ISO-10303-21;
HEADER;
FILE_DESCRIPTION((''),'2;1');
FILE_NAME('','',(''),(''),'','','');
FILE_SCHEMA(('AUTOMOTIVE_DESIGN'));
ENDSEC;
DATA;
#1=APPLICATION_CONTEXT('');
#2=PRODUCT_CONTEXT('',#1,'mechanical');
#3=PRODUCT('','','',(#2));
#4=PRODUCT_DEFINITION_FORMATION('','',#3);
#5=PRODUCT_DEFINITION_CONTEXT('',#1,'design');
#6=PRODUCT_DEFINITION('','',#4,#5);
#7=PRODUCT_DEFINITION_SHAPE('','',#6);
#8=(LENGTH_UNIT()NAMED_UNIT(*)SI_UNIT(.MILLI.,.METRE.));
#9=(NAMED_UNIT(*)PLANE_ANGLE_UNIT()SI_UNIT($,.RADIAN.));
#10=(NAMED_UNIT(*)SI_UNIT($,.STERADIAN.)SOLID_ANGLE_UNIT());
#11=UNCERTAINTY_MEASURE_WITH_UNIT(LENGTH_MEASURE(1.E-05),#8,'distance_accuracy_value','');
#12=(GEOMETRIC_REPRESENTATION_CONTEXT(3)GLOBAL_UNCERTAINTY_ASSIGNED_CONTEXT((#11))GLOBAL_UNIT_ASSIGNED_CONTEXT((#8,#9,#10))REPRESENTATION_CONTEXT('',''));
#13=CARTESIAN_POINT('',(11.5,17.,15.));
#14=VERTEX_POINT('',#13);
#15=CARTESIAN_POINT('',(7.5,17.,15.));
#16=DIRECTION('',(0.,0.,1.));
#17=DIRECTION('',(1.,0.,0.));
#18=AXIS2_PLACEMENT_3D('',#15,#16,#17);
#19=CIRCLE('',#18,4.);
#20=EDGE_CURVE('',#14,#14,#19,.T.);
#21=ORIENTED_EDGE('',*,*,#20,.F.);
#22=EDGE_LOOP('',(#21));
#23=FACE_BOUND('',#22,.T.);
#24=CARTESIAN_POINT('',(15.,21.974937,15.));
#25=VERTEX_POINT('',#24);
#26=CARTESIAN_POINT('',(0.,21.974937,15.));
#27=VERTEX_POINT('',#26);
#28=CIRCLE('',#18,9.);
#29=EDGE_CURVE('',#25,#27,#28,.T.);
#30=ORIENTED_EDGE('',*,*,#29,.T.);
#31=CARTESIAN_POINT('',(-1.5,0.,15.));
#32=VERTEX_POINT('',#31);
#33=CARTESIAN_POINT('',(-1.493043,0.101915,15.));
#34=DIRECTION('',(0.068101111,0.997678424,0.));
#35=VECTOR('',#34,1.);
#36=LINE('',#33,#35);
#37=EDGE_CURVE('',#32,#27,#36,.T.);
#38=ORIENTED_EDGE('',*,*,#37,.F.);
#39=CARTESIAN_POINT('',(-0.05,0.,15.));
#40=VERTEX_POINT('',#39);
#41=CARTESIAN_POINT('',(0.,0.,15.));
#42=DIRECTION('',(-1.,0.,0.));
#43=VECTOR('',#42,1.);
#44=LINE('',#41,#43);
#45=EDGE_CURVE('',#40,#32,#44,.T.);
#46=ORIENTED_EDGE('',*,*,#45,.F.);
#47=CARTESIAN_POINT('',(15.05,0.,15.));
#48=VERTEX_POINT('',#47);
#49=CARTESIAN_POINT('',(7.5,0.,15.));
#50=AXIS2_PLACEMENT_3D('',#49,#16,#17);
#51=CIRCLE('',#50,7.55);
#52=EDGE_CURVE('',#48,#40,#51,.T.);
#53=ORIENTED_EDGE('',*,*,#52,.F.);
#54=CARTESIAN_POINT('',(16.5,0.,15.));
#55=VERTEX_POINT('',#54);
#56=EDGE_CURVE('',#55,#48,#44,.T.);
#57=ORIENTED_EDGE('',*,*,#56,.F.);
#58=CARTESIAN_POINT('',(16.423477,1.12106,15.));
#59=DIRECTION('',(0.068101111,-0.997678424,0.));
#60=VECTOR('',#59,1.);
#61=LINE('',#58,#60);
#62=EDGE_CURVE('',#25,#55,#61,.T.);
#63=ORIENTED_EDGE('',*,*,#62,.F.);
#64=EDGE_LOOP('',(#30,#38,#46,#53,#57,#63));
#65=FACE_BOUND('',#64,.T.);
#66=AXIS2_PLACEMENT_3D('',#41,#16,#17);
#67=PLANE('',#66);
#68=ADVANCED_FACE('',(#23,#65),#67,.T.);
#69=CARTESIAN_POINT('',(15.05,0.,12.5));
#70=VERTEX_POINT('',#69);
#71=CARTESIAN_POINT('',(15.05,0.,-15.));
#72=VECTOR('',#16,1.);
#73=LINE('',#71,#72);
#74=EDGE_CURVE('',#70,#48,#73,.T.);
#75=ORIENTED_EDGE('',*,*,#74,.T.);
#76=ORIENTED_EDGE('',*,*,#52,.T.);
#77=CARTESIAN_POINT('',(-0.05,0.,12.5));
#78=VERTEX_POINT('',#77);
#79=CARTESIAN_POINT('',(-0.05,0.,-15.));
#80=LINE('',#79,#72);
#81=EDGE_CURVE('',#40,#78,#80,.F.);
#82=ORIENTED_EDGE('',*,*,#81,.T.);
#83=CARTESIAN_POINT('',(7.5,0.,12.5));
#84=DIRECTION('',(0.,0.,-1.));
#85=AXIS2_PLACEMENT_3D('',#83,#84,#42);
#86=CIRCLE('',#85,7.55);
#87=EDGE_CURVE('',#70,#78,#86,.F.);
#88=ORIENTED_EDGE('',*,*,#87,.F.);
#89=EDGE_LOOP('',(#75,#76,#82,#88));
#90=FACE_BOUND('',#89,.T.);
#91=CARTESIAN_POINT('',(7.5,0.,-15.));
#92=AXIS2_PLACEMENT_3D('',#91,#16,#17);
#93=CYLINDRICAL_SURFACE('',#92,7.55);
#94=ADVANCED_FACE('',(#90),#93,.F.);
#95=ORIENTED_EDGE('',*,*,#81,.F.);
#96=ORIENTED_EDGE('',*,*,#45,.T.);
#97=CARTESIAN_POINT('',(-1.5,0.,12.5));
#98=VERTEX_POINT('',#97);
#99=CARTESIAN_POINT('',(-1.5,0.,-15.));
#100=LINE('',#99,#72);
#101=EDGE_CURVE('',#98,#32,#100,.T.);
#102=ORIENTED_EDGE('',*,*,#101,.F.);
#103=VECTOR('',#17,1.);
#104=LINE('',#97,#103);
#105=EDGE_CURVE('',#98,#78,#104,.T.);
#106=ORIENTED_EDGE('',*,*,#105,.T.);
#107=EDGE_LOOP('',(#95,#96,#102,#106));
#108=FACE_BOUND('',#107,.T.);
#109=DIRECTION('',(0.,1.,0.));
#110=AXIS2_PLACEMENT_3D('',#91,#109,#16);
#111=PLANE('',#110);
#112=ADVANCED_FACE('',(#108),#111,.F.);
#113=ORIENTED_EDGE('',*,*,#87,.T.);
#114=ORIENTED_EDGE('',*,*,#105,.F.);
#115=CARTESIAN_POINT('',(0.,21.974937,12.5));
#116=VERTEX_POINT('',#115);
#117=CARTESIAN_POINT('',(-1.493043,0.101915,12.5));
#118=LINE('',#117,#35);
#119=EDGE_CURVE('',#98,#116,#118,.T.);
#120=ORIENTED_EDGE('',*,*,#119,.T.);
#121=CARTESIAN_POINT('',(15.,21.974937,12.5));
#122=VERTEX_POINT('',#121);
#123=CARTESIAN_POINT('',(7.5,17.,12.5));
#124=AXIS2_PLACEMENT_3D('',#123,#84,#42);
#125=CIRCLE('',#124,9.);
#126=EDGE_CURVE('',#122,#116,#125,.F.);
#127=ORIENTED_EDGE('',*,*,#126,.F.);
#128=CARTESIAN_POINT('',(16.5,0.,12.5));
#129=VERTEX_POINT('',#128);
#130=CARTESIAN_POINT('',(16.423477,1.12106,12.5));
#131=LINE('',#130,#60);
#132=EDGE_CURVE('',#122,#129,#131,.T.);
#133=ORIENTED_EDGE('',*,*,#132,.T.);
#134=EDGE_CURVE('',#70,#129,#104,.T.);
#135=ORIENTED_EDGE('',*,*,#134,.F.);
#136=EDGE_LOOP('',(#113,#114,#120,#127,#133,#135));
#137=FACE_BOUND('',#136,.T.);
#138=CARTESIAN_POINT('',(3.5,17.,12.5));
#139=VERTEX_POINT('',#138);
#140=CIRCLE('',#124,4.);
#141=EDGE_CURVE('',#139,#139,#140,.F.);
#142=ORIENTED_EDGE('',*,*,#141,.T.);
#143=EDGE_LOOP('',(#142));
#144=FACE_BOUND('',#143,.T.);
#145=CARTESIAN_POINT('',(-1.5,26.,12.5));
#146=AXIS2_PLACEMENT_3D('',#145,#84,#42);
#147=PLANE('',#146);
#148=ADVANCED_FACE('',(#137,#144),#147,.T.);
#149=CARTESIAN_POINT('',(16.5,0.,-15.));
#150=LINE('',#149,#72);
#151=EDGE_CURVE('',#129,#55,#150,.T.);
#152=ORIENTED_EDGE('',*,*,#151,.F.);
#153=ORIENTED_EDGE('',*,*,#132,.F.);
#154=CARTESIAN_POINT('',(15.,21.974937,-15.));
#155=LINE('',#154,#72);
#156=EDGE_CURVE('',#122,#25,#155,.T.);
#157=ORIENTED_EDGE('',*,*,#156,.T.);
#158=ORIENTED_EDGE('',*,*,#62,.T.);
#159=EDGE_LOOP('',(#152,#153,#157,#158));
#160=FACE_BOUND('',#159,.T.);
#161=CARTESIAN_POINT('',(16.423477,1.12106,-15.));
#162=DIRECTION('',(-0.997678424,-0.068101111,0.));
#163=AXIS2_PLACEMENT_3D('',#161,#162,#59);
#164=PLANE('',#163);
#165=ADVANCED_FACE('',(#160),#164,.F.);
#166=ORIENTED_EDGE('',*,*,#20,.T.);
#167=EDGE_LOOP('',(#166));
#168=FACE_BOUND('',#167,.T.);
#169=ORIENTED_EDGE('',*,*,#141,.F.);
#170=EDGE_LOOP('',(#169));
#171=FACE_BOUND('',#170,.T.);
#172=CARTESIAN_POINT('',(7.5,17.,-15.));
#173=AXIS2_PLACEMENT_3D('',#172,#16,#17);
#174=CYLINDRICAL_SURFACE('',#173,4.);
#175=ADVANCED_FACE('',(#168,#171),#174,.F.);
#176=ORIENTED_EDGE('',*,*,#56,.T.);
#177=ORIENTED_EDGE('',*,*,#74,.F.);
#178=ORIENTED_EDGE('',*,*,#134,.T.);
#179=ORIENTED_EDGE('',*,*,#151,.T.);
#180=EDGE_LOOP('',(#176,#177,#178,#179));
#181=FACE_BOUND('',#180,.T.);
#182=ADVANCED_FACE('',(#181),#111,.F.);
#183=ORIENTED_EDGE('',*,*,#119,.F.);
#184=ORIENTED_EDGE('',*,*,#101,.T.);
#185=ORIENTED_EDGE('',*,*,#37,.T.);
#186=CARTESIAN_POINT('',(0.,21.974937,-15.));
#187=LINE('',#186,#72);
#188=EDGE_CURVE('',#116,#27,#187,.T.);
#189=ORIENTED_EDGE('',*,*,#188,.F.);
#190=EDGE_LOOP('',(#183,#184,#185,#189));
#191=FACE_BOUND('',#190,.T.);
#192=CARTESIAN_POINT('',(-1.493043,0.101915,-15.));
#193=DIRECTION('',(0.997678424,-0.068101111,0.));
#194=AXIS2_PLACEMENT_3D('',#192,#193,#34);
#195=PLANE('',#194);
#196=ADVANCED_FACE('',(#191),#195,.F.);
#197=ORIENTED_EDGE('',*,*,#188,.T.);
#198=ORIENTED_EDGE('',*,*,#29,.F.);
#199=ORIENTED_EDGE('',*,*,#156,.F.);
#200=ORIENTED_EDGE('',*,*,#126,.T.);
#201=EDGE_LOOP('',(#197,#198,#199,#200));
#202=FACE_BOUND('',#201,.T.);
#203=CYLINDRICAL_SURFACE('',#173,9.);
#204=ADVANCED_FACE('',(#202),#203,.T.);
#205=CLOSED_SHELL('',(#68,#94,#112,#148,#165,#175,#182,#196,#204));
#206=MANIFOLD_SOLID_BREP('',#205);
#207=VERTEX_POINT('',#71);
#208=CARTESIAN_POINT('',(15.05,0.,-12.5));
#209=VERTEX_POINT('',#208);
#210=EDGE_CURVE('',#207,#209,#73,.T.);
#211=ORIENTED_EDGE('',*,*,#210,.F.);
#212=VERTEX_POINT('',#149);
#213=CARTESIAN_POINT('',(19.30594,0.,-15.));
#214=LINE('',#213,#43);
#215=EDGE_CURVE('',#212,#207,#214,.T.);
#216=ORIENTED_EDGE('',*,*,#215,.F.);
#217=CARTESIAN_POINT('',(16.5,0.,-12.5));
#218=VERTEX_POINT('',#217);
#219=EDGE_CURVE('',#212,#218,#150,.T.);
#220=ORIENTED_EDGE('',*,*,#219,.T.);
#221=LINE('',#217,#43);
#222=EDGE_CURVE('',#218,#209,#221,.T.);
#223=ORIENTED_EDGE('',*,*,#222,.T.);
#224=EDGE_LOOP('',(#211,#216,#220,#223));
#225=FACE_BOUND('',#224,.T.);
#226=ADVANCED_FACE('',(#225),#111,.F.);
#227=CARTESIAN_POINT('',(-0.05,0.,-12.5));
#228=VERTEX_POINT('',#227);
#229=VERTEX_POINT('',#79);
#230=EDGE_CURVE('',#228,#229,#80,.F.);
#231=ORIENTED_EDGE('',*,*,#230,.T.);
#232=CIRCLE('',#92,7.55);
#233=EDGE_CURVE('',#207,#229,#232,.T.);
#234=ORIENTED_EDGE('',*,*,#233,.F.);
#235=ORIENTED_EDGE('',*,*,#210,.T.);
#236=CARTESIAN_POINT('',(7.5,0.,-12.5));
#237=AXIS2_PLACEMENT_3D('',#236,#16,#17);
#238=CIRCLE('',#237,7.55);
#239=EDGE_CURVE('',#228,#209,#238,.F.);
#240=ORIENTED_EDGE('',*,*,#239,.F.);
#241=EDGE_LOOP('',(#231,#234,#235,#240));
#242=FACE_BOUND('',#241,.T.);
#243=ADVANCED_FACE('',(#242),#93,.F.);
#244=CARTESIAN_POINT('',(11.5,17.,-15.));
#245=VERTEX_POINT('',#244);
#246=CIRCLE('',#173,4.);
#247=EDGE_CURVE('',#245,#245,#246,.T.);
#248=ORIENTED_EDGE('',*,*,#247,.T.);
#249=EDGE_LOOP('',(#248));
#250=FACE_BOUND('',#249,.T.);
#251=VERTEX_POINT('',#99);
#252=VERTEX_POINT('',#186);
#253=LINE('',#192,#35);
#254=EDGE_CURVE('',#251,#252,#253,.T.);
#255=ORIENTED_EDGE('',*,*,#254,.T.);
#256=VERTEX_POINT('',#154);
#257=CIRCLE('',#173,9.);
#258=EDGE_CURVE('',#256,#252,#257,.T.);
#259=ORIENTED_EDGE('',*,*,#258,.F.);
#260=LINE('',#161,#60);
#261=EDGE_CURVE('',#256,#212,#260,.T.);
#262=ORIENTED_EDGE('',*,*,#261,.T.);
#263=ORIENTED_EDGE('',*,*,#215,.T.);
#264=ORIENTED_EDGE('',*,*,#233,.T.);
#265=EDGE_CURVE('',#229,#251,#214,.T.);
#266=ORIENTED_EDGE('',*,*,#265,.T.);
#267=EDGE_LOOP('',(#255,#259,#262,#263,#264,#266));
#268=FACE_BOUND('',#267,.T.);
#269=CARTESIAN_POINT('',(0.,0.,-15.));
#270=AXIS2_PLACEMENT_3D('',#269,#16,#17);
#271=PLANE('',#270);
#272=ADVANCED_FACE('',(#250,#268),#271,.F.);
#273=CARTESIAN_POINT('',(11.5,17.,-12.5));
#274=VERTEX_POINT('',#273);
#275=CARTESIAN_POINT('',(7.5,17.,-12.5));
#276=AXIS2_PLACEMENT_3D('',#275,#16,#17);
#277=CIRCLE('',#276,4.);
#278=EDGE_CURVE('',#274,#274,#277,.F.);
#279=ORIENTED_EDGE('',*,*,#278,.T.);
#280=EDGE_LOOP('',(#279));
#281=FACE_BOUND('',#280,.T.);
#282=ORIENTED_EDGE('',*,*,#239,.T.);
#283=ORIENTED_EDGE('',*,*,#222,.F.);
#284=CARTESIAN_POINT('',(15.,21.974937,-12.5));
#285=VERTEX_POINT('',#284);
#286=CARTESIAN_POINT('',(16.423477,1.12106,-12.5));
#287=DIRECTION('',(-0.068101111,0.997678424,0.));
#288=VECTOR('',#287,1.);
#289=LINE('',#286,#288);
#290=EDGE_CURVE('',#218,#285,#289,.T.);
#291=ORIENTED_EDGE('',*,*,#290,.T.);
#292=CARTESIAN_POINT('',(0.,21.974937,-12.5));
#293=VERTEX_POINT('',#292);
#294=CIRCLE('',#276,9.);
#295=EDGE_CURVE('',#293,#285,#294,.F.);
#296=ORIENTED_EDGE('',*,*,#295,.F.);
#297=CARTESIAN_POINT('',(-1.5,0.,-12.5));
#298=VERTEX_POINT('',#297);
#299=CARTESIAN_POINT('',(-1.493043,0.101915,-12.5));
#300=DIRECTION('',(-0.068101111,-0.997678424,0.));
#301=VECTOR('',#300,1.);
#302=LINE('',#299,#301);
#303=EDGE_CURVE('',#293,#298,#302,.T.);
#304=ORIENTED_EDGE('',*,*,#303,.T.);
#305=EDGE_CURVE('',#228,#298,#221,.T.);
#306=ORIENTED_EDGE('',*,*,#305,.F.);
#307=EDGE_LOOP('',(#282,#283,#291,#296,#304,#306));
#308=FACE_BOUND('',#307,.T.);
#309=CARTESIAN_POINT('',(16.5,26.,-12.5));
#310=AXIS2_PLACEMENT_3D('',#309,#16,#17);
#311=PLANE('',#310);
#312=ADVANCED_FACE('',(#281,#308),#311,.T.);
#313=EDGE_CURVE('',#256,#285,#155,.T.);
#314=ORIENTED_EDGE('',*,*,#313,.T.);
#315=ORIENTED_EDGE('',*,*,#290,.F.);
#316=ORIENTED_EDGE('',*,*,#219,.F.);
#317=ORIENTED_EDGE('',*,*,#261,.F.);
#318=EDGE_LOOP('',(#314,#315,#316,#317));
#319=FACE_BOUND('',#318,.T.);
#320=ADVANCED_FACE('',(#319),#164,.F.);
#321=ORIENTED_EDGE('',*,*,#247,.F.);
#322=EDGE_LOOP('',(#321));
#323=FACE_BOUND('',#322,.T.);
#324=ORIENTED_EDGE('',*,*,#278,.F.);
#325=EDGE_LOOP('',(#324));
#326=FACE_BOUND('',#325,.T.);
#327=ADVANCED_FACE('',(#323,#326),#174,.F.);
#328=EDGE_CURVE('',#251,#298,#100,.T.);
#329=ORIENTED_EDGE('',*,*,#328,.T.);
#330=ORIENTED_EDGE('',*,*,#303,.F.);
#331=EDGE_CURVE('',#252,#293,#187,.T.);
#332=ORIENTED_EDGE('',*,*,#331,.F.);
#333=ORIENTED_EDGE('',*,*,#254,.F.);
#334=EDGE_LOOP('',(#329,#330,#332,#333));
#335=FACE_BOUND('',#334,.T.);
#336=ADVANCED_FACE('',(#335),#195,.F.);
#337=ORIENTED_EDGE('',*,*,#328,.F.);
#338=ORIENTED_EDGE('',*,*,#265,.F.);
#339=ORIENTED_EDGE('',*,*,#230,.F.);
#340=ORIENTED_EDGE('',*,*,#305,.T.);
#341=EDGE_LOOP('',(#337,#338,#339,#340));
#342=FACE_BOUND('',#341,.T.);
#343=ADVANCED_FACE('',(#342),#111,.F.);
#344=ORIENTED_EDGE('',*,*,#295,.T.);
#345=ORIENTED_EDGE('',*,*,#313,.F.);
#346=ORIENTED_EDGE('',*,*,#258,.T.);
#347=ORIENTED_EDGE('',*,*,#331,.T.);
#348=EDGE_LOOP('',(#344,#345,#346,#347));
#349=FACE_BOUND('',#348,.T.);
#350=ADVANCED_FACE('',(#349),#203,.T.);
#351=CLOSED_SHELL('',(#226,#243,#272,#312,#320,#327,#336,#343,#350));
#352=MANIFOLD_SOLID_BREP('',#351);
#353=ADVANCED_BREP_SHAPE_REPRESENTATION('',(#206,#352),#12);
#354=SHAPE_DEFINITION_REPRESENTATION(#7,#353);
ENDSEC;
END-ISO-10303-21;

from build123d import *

# Parameters (mm, degrees)
BOSS_EXTRUDE2_DEPTH      = 15
BOSS_EXTRUDE2_DEPTH_BACK = 15
SKETCH1_R                = 7.55
SKETCH1_R_2              = 4
CUT_EXTRUDE4_DEPTH       = 35.252737117
CUT_EXTRUDE4_DEPTH_BACK  = 35.252737117
SKETCH5_W                = 18
SKETCH5_H                = 25
CUT_EXTRUDE5_DEPTH       = 43.991278185
CUT_EXTRUDE5_DEPTH_BACK  = 43.991278185


with BuildPart() as part:
    # Sketch1 → Boss-Extrude2 (new, two sides: drawn at the far end of the back side and taken through both)
    with BuildSketch(Plane.XY.offset(-BOSS_EXTRUDE2_DEPTH_BACK)):
        with BuildLine():
            Line((-1.416520296, 1.222974164), (-1.5, 0))
            ThreePointArc((-1.5, 0), (7.5, -9), (16.5, 0))
            Line((16.5, 0), (16.416520296, 1.222974164))
            Line((16.416520296, 1.222974164), (15, 21.974937186))
            ThreePointArc((15, 21.974937186), (7.5, 26), (0, 21.974937186))
            Line((0, 21.974937186), (-1.416520296, 1.222974164))
        make_face()
        with Locations((7.5, 0)):
            Circle(SKETCH1_R, mode=Mode.SUBTRACT)
        with Locations((7.5, 17)):
            Circle(SKETCH1_R_2, mode=Mode.SUBTRACT)
    extrude(amount=BOSS_EXTRUDE2_DEPTH + BOSS_EXTRUDE2_DEPTH_BACK)

    # Sketch5 → Cut-Extrude4 (cut, two sides: drawn at the far end of the back side and taken through both)
    with BuildSketch(Plane(origin=(0, 0, 0), x_dir=(1, 0, 0), z_dir=(0, 1, 0)).offset(-CUT_EXTRUDE4_DEPTH_BACK)):
        with Locations((7.5, 0)):
            Rectangle(SKETCH5_W, SKETCH5_H)
    extrude(amount=CUT_EXTRUDE4_DEPTH + CUT_EXTRUDE4_DEPTH_BACK, mode=Mode.SUBTRACT)


with BuildPart() as cut_extrude4_piece_1:
    # of the separate pieces the step leaves, piece 1, a body of its own (cut_extrude4_pieces)
    add(part.part.solids().sort_by_distance((0, 21.974937186, -12.5))[0])


with BuildPart() as cut_extrude4_piece_2:
    # of the separate pieces the step leaves, piece 2, a body of its own (cut_extrude4_pieces)
    add(part.part.solids().sort_by_distance((0, 21.974937186, 15))[0])


with BuildPart() as cut_extrude5_tool:
    # Sketch6 → Cut-Extrude5 (new, two sides: drawn at the far end of the back side and taken through both)
    with BuildSketch(Plane.XY.offset(15).offset(-CUT_EXTRUDE5_DEPTH_BACK)):
        Polygon((7.5, 0), (-2.9473198, 0), (-2.9473198, -10.005342246), (19.305939863, -10.005342246), (19.305939863, 0), align=None)
    extrude(amount=CUT_EXTRUDE5_DEPTH + CUT_EXTRUDE5_DEPTH_BACK)


with BuildPart() as cut_extrude4_piece_1_1:
    add(cut_extrude4_piece_1.part)

    # Cut-Extrude5: cut by cut_extrude5_tool
    add(cut_extrude5_tool.part, mode=Mode.SUBTRACT)


with BuildPart() as cut_extrude4_piece_2_1:
    add(cut_extrude4_piece_2.part)

    # Cut-Extrude5: cut by cut_extrude5_tool
    add(cut_extrude5_tool.part, mode=Mode.SUBTRACT)


solid = Compound([cut_extrude4_piece_1_1.part, cut_extrude4_piece_2_1.part])
